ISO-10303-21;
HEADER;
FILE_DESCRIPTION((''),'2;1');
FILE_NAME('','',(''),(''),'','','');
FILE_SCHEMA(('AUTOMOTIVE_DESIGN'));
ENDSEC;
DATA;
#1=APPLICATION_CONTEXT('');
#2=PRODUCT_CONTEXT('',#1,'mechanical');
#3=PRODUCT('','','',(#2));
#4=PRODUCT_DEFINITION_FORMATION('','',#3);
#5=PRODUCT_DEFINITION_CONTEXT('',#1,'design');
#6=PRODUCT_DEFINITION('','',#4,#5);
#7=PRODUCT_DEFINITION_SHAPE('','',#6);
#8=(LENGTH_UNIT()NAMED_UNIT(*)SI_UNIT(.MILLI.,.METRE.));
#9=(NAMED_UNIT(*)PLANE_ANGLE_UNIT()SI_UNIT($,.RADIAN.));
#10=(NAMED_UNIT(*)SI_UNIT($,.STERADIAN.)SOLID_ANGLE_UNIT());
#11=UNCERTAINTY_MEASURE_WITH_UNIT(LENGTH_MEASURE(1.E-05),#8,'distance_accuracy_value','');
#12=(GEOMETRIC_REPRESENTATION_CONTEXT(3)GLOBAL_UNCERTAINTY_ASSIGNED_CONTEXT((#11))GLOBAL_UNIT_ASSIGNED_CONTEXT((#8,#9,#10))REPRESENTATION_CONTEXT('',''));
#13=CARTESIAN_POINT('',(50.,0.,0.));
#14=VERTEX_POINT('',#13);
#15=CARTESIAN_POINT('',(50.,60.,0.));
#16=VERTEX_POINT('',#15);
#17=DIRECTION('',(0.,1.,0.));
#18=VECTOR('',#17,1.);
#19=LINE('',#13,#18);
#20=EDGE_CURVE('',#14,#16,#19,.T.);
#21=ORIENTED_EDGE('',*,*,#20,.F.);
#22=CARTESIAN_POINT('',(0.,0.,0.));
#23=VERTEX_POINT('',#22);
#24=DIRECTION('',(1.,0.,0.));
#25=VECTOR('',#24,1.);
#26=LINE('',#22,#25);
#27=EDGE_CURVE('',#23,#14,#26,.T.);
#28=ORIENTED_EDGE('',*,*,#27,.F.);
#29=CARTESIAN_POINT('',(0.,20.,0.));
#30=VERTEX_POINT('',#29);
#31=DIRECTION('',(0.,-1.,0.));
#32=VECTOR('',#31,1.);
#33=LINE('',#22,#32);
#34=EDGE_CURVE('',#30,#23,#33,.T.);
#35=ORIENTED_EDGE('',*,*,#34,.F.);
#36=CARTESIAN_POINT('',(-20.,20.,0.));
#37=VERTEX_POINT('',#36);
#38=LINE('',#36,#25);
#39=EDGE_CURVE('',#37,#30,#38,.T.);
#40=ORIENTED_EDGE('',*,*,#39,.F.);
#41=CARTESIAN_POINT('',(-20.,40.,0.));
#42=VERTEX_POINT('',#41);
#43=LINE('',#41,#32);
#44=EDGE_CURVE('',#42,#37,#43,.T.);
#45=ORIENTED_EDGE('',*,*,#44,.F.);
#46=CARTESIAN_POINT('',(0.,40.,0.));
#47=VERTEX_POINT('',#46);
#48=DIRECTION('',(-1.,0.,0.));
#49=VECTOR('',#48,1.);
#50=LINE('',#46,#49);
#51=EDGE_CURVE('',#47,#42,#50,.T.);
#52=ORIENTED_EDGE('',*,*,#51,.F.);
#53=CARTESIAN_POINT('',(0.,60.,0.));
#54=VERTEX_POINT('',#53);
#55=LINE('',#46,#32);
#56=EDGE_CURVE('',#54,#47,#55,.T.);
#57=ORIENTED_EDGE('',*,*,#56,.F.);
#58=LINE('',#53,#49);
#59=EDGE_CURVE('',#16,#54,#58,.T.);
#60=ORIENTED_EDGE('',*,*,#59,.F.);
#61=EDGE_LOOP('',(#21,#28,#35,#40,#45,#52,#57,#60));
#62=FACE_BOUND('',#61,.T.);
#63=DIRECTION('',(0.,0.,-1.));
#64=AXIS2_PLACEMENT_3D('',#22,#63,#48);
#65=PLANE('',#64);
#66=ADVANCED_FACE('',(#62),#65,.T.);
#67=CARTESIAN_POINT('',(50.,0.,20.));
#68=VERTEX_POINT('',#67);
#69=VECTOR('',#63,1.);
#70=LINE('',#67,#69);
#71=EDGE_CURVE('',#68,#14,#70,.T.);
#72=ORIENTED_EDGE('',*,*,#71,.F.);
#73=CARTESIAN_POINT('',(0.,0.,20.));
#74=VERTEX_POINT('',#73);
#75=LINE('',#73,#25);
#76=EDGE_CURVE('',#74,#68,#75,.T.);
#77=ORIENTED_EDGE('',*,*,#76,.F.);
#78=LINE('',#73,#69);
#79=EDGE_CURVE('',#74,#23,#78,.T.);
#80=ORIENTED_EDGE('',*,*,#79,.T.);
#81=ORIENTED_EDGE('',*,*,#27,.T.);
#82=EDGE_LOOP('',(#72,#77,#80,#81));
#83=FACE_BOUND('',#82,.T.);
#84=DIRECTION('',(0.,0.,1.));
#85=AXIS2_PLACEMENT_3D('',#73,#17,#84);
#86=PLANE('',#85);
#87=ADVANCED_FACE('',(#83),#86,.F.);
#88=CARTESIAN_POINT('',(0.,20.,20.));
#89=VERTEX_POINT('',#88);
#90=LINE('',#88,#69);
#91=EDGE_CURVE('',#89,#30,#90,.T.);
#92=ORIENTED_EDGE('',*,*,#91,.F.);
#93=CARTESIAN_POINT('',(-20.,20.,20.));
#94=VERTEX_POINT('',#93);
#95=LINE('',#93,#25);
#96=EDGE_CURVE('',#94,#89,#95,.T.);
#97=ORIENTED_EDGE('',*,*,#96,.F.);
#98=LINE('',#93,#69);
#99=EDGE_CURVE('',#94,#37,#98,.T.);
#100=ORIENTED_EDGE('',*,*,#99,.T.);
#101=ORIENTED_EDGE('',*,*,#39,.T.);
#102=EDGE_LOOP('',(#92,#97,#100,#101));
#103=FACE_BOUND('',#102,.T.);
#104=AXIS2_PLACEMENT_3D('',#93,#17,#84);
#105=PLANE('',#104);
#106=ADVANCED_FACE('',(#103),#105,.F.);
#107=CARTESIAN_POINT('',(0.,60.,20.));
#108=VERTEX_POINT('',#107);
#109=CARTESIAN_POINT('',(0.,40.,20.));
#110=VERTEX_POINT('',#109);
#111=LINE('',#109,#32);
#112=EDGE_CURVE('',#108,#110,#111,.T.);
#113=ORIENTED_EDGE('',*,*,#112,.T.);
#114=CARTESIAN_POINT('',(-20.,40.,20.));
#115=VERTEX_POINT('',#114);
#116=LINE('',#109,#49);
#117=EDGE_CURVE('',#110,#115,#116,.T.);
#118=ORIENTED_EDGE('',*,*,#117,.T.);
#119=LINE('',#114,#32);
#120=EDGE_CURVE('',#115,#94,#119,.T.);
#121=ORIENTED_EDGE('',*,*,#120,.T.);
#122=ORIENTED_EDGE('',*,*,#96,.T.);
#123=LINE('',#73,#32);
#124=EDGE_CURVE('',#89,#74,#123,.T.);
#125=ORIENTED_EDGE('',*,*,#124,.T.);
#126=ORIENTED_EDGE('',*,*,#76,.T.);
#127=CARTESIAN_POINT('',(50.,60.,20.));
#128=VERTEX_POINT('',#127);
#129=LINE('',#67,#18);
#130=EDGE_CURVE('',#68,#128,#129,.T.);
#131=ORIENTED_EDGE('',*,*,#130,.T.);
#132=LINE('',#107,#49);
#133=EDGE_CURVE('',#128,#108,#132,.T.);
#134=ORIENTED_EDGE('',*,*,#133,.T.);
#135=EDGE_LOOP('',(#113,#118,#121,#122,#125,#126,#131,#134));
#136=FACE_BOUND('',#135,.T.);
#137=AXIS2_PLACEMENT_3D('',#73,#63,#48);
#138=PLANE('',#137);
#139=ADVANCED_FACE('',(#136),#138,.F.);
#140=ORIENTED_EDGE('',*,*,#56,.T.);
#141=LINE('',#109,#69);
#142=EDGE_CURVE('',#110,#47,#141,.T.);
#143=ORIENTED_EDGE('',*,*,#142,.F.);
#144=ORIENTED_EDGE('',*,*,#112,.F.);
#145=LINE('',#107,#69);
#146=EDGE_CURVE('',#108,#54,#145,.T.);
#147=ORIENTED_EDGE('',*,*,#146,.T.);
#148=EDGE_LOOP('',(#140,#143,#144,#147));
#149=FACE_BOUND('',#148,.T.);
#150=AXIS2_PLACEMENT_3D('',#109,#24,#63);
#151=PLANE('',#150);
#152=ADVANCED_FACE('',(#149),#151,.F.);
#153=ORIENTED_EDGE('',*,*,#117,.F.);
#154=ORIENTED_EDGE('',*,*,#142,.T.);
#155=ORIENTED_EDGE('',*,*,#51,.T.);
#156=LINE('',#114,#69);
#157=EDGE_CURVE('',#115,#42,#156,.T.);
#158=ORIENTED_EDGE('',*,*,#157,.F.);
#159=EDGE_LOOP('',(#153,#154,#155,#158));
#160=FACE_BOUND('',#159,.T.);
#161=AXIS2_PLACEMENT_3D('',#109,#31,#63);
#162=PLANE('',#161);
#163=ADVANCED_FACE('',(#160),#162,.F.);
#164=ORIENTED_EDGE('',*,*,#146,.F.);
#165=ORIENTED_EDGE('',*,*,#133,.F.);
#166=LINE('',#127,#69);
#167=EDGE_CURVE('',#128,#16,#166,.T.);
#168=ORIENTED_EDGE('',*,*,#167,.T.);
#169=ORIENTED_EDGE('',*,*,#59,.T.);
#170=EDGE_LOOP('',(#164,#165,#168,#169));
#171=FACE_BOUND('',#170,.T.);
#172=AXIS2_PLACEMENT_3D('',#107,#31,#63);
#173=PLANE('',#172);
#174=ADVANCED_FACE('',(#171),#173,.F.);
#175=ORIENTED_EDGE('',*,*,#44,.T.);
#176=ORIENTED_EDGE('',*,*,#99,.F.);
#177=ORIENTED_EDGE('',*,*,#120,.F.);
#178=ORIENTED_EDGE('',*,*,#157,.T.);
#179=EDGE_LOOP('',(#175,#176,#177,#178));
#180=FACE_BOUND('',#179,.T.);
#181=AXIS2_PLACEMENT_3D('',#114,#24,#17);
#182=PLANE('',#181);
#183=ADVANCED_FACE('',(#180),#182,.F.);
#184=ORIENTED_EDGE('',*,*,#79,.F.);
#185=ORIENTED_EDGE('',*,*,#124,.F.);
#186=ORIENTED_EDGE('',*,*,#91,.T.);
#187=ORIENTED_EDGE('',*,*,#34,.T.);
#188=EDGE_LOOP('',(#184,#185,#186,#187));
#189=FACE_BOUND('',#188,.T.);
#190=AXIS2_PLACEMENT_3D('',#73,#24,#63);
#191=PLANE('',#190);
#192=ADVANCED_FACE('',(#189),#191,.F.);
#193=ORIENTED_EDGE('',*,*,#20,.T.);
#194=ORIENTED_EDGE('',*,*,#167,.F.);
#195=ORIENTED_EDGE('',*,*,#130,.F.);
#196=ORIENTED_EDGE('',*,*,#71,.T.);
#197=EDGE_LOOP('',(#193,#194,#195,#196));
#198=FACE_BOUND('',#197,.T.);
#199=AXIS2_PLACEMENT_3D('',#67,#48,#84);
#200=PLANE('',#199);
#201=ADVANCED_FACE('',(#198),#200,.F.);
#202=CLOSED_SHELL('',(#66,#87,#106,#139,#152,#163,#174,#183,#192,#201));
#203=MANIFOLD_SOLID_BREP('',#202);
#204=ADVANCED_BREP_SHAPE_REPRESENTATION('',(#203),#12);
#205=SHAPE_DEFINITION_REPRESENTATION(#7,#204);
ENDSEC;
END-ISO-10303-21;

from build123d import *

# Parameters (mm, degrees)
BOSS_EXTRUDE1_DEPTH = 20


with BuildPart() as part:
    # Sketch1 → Boss-Extrude1 (new body)
    with BuildSketch(Plane.XY):
        Polygon((0, 40), (-20, 40), (-20, 20), (0, 20), (0, 0), (50, 0), (50, 60), (0, 60), align=None)
    extrude(amount=BOSS_EXTRUDE1_DEPTH)


solid = part.part
